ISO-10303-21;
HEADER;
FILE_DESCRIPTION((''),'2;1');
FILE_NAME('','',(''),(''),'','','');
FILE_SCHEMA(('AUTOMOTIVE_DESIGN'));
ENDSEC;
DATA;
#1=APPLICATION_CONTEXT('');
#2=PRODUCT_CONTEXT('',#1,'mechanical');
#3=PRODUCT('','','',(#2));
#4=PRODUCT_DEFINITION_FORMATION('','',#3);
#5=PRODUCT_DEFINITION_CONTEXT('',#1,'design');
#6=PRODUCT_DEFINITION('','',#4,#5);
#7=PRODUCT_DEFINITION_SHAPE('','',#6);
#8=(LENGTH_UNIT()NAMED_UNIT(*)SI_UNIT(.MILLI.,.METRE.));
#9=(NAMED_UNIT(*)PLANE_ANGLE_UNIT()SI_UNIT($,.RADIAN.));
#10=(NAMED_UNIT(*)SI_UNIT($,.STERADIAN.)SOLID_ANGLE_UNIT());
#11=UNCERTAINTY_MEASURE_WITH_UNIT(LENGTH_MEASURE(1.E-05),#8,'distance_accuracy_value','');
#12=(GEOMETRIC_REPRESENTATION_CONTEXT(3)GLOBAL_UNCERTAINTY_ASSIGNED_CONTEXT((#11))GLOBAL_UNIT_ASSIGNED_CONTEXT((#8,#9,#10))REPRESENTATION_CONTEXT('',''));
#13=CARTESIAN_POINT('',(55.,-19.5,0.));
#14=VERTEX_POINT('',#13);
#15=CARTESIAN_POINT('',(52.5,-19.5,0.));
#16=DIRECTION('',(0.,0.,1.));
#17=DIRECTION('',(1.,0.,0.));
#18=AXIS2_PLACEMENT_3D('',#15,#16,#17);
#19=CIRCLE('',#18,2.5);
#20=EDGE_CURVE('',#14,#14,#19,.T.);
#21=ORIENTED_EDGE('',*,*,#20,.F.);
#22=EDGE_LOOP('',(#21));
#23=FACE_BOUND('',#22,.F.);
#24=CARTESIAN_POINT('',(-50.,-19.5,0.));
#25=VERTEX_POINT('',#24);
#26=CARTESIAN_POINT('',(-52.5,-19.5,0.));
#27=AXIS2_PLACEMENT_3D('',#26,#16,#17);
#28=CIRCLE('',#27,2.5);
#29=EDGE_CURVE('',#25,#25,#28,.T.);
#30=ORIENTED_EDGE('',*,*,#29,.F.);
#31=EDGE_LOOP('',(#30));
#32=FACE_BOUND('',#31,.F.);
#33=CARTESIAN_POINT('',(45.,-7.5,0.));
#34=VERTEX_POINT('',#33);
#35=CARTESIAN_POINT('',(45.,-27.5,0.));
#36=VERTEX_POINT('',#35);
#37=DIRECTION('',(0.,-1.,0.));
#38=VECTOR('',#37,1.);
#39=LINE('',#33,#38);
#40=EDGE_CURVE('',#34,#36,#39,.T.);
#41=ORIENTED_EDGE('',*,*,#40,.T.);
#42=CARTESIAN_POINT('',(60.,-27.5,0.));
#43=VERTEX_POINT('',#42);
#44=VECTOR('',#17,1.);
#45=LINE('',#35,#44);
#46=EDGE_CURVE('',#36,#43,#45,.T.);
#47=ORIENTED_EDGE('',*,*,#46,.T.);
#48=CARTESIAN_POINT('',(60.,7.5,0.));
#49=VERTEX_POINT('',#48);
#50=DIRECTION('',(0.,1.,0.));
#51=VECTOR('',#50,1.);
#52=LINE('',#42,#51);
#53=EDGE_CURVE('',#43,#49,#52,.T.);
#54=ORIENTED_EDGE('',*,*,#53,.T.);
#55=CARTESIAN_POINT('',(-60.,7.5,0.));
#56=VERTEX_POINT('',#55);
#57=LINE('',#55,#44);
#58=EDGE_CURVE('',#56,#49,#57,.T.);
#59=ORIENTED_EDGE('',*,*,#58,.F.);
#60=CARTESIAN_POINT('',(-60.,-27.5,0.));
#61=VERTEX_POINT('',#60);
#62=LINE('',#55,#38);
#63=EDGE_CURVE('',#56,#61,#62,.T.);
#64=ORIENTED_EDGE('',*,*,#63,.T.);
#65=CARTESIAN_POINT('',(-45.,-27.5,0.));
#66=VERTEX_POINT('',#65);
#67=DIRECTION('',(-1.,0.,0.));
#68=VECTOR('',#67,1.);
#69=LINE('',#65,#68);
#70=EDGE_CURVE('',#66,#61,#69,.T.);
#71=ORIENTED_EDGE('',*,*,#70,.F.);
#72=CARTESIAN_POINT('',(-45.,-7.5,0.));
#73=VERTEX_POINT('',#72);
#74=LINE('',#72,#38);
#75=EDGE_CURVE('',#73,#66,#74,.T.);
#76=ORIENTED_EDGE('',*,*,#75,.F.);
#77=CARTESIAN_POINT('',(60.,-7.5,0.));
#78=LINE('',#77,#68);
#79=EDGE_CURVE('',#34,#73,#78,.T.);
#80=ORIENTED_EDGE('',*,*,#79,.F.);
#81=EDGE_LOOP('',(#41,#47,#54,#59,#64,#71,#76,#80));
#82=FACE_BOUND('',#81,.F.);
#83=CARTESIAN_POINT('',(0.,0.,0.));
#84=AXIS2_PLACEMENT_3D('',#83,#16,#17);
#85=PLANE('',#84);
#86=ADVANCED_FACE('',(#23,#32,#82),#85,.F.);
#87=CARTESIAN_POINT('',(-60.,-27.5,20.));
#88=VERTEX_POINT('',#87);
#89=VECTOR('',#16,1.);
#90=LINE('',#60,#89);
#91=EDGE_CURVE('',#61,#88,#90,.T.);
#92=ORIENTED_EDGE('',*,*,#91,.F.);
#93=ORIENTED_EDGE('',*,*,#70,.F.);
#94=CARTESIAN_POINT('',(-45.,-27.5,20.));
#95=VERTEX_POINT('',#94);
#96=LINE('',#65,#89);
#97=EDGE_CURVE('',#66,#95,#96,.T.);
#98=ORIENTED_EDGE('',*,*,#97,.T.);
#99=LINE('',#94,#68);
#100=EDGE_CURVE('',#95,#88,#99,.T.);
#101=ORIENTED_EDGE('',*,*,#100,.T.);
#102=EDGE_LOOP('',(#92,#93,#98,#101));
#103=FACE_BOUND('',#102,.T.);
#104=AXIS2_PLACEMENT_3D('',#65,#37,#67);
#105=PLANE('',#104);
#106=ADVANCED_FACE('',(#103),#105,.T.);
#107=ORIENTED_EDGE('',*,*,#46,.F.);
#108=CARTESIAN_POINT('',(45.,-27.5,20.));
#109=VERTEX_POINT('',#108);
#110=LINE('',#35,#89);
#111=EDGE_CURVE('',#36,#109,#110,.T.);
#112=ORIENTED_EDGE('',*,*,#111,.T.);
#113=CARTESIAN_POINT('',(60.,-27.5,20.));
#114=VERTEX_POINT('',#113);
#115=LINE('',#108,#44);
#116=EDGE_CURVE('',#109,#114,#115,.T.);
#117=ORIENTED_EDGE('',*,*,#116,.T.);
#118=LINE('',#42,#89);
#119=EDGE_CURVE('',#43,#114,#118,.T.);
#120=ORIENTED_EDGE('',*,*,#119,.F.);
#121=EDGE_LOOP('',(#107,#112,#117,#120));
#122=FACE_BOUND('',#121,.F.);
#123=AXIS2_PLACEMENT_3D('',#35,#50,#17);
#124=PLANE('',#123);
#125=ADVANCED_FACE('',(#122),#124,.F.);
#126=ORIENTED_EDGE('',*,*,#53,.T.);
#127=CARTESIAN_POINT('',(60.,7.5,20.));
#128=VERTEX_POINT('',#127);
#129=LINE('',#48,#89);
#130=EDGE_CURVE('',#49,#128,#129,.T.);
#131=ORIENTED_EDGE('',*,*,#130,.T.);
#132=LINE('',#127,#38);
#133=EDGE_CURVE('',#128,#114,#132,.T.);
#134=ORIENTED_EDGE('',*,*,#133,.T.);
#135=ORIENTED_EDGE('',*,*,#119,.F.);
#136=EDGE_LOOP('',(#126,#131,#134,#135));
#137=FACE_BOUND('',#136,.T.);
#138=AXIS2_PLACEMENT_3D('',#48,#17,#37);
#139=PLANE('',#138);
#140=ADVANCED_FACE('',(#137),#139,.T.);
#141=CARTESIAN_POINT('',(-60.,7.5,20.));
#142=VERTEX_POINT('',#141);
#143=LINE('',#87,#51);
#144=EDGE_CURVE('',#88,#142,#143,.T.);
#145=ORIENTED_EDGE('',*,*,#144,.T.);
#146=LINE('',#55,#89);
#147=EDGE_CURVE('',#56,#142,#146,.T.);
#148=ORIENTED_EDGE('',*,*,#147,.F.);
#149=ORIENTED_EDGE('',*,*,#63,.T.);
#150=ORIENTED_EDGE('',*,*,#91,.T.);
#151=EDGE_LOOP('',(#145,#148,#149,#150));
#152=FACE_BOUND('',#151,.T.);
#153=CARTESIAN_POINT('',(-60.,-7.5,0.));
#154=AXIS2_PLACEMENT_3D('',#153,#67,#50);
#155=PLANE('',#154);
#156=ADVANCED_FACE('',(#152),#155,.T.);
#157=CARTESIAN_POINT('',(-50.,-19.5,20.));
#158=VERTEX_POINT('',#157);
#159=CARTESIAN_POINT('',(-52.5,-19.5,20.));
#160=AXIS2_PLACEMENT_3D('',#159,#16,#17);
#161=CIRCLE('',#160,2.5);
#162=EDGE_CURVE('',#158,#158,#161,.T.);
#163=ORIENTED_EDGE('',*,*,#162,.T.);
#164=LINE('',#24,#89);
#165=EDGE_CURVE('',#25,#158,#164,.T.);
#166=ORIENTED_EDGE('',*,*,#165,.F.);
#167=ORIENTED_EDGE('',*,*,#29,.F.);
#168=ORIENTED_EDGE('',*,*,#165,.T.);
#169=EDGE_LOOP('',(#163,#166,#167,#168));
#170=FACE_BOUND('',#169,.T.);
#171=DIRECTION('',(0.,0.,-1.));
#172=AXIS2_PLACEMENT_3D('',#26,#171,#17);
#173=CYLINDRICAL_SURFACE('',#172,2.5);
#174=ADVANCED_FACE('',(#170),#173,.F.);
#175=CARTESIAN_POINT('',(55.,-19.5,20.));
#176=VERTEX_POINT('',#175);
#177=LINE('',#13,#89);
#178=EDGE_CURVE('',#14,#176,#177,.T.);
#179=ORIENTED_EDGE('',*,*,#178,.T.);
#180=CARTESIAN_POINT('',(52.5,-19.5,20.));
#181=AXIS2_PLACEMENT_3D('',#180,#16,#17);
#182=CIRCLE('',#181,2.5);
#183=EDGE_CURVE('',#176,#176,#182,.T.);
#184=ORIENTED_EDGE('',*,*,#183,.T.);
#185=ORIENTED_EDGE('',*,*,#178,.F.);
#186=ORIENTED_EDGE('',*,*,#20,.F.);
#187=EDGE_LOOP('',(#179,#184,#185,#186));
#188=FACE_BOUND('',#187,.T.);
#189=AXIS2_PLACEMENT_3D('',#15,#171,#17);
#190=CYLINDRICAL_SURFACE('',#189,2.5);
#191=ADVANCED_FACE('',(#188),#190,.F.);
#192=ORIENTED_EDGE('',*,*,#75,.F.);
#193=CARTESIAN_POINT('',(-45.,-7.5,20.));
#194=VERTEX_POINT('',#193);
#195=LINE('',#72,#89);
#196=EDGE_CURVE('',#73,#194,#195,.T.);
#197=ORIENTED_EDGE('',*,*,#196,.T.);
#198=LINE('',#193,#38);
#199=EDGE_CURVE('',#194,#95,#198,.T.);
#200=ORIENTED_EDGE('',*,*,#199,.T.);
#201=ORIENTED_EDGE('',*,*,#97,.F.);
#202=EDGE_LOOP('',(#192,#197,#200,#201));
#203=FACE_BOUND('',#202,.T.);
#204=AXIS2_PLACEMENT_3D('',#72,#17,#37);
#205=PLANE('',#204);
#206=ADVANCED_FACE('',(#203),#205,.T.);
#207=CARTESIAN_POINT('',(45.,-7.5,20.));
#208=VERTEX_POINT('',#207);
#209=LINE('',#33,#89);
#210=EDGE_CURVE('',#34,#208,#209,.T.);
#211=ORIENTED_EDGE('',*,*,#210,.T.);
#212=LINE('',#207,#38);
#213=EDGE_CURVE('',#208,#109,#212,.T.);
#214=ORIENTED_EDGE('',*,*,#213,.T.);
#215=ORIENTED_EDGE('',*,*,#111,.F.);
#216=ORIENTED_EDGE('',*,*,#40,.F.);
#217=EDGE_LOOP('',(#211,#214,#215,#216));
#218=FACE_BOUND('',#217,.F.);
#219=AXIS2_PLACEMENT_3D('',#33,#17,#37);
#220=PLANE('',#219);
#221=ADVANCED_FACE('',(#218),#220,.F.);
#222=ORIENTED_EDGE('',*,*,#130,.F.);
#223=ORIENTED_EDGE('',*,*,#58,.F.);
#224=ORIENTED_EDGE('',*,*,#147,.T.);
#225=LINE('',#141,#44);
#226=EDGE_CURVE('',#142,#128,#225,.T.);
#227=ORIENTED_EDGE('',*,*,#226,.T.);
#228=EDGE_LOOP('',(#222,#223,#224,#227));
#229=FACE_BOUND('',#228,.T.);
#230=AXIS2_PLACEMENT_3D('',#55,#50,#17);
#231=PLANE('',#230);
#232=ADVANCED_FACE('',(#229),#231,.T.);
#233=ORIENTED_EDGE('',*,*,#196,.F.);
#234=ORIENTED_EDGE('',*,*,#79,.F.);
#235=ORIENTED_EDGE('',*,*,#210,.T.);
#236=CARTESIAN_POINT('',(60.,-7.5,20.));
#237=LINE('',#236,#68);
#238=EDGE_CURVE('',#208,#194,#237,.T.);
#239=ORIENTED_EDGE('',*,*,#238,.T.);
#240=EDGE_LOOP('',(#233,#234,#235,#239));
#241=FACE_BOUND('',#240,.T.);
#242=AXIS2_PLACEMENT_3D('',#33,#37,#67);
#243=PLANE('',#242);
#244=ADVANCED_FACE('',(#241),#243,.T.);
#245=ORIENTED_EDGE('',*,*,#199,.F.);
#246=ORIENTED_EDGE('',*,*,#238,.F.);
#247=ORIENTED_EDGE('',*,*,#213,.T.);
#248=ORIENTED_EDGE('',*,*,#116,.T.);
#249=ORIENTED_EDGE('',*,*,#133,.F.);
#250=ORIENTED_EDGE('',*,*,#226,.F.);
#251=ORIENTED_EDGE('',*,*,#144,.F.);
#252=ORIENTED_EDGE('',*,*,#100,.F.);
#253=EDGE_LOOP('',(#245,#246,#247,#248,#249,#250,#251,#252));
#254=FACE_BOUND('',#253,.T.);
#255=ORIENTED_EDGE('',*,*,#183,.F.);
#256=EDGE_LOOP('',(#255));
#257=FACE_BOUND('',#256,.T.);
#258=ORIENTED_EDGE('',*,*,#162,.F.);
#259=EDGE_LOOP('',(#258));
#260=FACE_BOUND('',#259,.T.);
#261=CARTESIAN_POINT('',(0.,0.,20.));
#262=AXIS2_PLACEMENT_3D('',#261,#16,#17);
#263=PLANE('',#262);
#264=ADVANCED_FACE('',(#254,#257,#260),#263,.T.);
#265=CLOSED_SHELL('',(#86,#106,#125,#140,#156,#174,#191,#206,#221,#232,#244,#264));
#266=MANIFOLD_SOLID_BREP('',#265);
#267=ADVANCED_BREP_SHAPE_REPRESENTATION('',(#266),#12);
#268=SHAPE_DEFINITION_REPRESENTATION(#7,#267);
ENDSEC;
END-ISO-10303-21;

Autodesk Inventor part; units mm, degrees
ref_plane "YZ Plane" through (0, 0, 0) normal (1, 0, 0) x (0, 1, 0)
ref_plane "XZ Plane" through (0, 0, 0) normal (0, 1, 0) x (-1, 0, 0)
ref_plane "XY Plane" through (0, 0, 0) normal (0, 0, 1) x (1, 0, 0)
sketch "Sketch1" plane through (0, 0, 0) normal (0, 0, 1) x (1, 0, 0)
  line L0 (-60, 7.5) -> (60, 7.5)
  line L1 (60, 7.5) -> (60, -7.5)
  line L2 (60, -7.5) -> (-60, -7.5)
  line L3 (-60, -7.5) -> (-60, 7.5)
  line L4 (-60, 7.5) -> (60, -7.5) construction
  line L5 (60, 7.5) -> (-60, -7.5) construction
  line L6 (-60, -7.5) -> (-45, -7.5)
  line L7 (-45, -7.5) -> (-45, -27.5)
  line L8 (-45, -27.5) -> (-60, -27.5)
  line L9 (-60, -27.5) -> (-60, -7.5)
  line L10 (60, -7.5) -> (45, -7.5)
  line L11 (45, -7.5) -> (45, -27.5)
  line L12 (45, -27.5) -> (60, -27.5)
  line L13 (60, -27.5) -> (60, -7.5)
  circle A0 centre (-52.5, -19.5) radius 2.5
  circle A1 centre (52.5, -19.5) radius 2.5
  point P0 (0, 0)
  dimension "d17" = 120
  dimension "d18" = 15
  dimension "d19" = 15
  dimension "d20" = 20
  dimension "d21" = 15
  dimension "d22" = 20
  dimension "d23" = 5
  dimension "d24" = 5
extrude "Extrusion1" add sketch "Sketch1" along normal blind 20
properties part number "front_U_shaped_frame[1]"
